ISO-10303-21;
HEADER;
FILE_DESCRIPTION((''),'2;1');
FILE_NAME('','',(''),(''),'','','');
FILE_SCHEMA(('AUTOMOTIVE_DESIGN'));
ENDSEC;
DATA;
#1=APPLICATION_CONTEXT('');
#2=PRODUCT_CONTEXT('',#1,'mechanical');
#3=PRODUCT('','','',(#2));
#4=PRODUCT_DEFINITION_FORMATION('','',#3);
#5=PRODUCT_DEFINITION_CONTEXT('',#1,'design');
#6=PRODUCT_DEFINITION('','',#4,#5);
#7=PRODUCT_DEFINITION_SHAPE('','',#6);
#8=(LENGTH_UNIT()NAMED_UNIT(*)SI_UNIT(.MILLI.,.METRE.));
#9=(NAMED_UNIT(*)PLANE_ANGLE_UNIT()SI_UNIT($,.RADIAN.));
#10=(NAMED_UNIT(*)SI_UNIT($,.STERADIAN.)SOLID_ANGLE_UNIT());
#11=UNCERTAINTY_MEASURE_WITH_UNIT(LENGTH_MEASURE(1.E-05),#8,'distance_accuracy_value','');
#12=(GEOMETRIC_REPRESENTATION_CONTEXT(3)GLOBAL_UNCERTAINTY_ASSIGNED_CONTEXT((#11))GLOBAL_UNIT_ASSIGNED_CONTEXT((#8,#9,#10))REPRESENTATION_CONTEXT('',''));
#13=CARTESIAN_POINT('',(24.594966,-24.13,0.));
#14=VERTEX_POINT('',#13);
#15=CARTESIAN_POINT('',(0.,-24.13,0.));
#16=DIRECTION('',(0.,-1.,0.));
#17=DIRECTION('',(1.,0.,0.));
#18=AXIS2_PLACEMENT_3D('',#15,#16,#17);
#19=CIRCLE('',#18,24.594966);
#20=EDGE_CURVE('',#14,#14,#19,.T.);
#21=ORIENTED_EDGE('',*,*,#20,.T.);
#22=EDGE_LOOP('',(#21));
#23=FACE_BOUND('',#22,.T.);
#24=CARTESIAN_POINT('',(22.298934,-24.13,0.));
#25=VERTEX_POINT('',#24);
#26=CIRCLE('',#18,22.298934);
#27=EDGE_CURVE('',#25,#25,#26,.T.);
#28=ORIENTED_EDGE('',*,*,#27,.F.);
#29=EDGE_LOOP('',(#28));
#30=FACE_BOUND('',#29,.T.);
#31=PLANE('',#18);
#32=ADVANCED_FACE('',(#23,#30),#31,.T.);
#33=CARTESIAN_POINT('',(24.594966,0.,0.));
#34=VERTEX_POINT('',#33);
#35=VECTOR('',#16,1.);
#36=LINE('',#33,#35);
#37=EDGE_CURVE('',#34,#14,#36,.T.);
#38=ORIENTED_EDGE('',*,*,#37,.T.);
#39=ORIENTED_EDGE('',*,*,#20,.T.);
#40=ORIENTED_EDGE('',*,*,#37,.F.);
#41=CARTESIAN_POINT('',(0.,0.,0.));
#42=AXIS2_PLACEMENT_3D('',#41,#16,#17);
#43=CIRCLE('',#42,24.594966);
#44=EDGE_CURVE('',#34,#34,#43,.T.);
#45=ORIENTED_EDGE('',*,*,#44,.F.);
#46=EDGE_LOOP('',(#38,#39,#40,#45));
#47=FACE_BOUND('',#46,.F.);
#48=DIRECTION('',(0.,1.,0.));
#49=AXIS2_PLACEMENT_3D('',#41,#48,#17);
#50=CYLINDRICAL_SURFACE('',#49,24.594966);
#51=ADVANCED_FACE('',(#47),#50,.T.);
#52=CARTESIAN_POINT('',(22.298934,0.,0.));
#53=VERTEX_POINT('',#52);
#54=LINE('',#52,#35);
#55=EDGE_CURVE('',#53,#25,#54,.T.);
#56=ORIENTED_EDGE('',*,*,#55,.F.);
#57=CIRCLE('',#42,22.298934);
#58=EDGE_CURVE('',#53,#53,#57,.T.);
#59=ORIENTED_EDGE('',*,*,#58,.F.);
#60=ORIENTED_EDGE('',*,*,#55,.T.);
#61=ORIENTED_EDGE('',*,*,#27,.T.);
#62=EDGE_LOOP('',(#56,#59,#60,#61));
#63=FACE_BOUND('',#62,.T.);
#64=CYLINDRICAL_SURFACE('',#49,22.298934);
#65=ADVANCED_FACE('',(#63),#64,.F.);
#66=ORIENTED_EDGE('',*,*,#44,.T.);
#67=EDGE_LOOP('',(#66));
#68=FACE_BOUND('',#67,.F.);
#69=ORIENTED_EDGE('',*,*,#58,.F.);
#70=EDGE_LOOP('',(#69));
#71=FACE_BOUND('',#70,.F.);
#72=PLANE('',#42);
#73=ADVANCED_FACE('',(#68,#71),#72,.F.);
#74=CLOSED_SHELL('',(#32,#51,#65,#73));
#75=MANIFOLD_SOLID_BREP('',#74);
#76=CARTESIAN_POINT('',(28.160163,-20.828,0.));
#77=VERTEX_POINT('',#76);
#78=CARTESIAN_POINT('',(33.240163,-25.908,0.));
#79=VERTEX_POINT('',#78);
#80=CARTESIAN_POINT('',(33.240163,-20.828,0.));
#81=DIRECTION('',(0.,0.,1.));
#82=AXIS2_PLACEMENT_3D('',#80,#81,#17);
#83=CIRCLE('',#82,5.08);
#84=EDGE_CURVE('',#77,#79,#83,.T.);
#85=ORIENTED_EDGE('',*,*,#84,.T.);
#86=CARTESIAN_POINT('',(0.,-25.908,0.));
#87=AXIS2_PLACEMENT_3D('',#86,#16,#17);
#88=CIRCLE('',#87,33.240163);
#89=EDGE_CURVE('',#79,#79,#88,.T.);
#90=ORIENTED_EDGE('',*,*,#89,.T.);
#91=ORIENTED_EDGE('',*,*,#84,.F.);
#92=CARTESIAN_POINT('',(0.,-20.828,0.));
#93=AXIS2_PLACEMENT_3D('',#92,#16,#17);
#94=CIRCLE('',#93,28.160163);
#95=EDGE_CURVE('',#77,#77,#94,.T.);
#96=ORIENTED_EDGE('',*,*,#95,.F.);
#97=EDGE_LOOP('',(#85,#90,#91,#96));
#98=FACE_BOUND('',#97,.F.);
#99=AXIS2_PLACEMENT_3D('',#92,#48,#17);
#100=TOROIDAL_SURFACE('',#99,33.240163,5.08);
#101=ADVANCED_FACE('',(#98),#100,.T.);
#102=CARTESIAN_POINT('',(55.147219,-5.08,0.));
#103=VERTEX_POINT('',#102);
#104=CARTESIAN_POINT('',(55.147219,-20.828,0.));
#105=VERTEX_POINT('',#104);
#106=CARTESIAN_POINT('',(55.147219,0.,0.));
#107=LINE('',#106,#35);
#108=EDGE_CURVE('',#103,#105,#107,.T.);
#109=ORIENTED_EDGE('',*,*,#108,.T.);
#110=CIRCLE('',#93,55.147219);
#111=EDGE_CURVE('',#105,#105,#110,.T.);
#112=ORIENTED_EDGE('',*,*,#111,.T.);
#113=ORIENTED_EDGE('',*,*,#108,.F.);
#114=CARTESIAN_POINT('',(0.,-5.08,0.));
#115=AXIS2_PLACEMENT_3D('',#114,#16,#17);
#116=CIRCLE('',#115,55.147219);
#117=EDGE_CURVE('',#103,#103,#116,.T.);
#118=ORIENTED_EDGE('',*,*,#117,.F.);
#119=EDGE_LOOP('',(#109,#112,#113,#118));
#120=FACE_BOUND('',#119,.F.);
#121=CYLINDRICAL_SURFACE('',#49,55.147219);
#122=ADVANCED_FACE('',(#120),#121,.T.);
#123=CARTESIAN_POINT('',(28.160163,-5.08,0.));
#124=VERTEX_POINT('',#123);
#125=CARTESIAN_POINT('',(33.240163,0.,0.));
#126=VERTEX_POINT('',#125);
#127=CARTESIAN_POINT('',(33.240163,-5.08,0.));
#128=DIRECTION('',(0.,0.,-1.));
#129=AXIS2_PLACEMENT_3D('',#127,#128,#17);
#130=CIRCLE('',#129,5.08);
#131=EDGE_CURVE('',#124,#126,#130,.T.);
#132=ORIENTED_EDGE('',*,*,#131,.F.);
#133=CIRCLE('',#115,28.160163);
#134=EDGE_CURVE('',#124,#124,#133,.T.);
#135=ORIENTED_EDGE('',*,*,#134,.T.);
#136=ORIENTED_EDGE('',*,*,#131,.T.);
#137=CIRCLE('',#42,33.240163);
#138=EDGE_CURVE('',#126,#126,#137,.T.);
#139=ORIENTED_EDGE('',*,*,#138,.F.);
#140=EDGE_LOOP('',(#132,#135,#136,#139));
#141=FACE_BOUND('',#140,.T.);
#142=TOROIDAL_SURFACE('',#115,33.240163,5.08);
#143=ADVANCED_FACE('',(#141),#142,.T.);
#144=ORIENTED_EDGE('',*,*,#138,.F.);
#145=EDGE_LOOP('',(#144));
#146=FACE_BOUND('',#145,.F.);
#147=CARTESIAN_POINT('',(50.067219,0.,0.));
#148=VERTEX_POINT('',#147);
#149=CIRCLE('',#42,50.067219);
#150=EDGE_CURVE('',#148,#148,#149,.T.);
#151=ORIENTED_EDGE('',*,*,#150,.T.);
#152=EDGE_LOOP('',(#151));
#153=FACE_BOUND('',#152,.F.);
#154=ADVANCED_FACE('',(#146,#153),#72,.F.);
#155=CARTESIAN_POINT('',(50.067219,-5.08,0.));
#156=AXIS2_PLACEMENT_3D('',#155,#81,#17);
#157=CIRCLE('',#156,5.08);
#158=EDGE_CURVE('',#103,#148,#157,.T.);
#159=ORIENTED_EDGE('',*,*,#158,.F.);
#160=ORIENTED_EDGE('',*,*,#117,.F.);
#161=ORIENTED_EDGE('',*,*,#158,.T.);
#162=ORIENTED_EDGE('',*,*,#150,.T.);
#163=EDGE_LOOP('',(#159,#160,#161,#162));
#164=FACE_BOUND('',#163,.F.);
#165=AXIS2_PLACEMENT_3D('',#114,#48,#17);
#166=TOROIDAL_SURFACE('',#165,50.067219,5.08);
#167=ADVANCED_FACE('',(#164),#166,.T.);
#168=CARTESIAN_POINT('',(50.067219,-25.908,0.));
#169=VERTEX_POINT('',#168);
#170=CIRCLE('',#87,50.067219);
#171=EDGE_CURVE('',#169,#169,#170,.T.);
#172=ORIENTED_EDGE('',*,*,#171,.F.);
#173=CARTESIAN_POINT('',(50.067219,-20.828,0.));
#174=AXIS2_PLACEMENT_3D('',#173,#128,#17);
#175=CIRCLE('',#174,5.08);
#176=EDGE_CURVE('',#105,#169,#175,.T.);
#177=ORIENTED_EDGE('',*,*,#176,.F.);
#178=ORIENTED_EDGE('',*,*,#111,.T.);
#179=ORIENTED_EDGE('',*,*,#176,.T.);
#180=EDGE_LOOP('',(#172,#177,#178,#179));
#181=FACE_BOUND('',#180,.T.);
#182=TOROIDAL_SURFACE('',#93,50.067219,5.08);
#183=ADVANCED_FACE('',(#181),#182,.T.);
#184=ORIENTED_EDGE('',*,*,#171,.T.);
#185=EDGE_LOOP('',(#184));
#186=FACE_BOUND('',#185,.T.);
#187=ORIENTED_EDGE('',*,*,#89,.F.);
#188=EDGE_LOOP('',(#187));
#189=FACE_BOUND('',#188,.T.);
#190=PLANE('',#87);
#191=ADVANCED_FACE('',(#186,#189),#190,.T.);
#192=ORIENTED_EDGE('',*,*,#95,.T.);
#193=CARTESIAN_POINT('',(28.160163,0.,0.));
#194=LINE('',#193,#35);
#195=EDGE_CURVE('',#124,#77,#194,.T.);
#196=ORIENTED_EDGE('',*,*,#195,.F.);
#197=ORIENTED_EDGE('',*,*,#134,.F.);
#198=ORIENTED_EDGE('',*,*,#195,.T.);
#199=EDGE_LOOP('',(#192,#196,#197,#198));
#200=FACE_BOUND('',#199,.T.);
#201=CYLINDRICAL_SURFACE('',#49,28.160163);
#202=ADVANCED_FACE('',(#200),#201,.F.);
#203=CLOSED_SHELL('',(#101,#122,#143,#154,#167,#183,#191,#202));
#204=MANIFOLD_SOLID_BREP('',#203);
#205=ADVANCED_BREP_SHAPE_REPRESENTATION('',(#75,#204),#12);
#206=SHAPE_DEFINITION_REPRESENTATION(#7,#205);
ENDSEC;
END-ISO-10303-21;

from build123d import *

# Parameters (mm, degrees)
F0_R     = 55.147219
F0_R_2   = 28.160163
F1_DEPTH = 25.908
F2_R     = 5.08
F3_R     = 24.594966
F3_R_2   = 22.298934
F4_DEPTH = 24.13


with BuildPart() as f1:
    # F0 (on Front) → F1 (new body)
    with BuildSketch(Plane.XZ):
        Circle(F0_R)
        Circle(F0_R_2, mode=Mode.SUBTRACT)
    extrude(amount=F1_DEPTH)

    # F2
    f2_edges = [f1.edges().sort_by_distance(p)[0] for p in [
        (-28.160163, -25.908, 0),
        (-55.147219, -25.908, 0),
        (-55.147219, 0, 0),
        (-28.160163, 0, 0),
    ]]
    fillet(f2_edges, radius=F2_R)


with BuildPart() as f4:
    # F3 (on Front) → F4 (new body)
    with BuildSketch(Plane.XZ):
        Circle(F3_R)
        Circle(F3_R_2, mode=Mode.SUBTRACT)
    extrude(amount=F4_DEPTH)


solid = Compound([f1.part, f4.part])
